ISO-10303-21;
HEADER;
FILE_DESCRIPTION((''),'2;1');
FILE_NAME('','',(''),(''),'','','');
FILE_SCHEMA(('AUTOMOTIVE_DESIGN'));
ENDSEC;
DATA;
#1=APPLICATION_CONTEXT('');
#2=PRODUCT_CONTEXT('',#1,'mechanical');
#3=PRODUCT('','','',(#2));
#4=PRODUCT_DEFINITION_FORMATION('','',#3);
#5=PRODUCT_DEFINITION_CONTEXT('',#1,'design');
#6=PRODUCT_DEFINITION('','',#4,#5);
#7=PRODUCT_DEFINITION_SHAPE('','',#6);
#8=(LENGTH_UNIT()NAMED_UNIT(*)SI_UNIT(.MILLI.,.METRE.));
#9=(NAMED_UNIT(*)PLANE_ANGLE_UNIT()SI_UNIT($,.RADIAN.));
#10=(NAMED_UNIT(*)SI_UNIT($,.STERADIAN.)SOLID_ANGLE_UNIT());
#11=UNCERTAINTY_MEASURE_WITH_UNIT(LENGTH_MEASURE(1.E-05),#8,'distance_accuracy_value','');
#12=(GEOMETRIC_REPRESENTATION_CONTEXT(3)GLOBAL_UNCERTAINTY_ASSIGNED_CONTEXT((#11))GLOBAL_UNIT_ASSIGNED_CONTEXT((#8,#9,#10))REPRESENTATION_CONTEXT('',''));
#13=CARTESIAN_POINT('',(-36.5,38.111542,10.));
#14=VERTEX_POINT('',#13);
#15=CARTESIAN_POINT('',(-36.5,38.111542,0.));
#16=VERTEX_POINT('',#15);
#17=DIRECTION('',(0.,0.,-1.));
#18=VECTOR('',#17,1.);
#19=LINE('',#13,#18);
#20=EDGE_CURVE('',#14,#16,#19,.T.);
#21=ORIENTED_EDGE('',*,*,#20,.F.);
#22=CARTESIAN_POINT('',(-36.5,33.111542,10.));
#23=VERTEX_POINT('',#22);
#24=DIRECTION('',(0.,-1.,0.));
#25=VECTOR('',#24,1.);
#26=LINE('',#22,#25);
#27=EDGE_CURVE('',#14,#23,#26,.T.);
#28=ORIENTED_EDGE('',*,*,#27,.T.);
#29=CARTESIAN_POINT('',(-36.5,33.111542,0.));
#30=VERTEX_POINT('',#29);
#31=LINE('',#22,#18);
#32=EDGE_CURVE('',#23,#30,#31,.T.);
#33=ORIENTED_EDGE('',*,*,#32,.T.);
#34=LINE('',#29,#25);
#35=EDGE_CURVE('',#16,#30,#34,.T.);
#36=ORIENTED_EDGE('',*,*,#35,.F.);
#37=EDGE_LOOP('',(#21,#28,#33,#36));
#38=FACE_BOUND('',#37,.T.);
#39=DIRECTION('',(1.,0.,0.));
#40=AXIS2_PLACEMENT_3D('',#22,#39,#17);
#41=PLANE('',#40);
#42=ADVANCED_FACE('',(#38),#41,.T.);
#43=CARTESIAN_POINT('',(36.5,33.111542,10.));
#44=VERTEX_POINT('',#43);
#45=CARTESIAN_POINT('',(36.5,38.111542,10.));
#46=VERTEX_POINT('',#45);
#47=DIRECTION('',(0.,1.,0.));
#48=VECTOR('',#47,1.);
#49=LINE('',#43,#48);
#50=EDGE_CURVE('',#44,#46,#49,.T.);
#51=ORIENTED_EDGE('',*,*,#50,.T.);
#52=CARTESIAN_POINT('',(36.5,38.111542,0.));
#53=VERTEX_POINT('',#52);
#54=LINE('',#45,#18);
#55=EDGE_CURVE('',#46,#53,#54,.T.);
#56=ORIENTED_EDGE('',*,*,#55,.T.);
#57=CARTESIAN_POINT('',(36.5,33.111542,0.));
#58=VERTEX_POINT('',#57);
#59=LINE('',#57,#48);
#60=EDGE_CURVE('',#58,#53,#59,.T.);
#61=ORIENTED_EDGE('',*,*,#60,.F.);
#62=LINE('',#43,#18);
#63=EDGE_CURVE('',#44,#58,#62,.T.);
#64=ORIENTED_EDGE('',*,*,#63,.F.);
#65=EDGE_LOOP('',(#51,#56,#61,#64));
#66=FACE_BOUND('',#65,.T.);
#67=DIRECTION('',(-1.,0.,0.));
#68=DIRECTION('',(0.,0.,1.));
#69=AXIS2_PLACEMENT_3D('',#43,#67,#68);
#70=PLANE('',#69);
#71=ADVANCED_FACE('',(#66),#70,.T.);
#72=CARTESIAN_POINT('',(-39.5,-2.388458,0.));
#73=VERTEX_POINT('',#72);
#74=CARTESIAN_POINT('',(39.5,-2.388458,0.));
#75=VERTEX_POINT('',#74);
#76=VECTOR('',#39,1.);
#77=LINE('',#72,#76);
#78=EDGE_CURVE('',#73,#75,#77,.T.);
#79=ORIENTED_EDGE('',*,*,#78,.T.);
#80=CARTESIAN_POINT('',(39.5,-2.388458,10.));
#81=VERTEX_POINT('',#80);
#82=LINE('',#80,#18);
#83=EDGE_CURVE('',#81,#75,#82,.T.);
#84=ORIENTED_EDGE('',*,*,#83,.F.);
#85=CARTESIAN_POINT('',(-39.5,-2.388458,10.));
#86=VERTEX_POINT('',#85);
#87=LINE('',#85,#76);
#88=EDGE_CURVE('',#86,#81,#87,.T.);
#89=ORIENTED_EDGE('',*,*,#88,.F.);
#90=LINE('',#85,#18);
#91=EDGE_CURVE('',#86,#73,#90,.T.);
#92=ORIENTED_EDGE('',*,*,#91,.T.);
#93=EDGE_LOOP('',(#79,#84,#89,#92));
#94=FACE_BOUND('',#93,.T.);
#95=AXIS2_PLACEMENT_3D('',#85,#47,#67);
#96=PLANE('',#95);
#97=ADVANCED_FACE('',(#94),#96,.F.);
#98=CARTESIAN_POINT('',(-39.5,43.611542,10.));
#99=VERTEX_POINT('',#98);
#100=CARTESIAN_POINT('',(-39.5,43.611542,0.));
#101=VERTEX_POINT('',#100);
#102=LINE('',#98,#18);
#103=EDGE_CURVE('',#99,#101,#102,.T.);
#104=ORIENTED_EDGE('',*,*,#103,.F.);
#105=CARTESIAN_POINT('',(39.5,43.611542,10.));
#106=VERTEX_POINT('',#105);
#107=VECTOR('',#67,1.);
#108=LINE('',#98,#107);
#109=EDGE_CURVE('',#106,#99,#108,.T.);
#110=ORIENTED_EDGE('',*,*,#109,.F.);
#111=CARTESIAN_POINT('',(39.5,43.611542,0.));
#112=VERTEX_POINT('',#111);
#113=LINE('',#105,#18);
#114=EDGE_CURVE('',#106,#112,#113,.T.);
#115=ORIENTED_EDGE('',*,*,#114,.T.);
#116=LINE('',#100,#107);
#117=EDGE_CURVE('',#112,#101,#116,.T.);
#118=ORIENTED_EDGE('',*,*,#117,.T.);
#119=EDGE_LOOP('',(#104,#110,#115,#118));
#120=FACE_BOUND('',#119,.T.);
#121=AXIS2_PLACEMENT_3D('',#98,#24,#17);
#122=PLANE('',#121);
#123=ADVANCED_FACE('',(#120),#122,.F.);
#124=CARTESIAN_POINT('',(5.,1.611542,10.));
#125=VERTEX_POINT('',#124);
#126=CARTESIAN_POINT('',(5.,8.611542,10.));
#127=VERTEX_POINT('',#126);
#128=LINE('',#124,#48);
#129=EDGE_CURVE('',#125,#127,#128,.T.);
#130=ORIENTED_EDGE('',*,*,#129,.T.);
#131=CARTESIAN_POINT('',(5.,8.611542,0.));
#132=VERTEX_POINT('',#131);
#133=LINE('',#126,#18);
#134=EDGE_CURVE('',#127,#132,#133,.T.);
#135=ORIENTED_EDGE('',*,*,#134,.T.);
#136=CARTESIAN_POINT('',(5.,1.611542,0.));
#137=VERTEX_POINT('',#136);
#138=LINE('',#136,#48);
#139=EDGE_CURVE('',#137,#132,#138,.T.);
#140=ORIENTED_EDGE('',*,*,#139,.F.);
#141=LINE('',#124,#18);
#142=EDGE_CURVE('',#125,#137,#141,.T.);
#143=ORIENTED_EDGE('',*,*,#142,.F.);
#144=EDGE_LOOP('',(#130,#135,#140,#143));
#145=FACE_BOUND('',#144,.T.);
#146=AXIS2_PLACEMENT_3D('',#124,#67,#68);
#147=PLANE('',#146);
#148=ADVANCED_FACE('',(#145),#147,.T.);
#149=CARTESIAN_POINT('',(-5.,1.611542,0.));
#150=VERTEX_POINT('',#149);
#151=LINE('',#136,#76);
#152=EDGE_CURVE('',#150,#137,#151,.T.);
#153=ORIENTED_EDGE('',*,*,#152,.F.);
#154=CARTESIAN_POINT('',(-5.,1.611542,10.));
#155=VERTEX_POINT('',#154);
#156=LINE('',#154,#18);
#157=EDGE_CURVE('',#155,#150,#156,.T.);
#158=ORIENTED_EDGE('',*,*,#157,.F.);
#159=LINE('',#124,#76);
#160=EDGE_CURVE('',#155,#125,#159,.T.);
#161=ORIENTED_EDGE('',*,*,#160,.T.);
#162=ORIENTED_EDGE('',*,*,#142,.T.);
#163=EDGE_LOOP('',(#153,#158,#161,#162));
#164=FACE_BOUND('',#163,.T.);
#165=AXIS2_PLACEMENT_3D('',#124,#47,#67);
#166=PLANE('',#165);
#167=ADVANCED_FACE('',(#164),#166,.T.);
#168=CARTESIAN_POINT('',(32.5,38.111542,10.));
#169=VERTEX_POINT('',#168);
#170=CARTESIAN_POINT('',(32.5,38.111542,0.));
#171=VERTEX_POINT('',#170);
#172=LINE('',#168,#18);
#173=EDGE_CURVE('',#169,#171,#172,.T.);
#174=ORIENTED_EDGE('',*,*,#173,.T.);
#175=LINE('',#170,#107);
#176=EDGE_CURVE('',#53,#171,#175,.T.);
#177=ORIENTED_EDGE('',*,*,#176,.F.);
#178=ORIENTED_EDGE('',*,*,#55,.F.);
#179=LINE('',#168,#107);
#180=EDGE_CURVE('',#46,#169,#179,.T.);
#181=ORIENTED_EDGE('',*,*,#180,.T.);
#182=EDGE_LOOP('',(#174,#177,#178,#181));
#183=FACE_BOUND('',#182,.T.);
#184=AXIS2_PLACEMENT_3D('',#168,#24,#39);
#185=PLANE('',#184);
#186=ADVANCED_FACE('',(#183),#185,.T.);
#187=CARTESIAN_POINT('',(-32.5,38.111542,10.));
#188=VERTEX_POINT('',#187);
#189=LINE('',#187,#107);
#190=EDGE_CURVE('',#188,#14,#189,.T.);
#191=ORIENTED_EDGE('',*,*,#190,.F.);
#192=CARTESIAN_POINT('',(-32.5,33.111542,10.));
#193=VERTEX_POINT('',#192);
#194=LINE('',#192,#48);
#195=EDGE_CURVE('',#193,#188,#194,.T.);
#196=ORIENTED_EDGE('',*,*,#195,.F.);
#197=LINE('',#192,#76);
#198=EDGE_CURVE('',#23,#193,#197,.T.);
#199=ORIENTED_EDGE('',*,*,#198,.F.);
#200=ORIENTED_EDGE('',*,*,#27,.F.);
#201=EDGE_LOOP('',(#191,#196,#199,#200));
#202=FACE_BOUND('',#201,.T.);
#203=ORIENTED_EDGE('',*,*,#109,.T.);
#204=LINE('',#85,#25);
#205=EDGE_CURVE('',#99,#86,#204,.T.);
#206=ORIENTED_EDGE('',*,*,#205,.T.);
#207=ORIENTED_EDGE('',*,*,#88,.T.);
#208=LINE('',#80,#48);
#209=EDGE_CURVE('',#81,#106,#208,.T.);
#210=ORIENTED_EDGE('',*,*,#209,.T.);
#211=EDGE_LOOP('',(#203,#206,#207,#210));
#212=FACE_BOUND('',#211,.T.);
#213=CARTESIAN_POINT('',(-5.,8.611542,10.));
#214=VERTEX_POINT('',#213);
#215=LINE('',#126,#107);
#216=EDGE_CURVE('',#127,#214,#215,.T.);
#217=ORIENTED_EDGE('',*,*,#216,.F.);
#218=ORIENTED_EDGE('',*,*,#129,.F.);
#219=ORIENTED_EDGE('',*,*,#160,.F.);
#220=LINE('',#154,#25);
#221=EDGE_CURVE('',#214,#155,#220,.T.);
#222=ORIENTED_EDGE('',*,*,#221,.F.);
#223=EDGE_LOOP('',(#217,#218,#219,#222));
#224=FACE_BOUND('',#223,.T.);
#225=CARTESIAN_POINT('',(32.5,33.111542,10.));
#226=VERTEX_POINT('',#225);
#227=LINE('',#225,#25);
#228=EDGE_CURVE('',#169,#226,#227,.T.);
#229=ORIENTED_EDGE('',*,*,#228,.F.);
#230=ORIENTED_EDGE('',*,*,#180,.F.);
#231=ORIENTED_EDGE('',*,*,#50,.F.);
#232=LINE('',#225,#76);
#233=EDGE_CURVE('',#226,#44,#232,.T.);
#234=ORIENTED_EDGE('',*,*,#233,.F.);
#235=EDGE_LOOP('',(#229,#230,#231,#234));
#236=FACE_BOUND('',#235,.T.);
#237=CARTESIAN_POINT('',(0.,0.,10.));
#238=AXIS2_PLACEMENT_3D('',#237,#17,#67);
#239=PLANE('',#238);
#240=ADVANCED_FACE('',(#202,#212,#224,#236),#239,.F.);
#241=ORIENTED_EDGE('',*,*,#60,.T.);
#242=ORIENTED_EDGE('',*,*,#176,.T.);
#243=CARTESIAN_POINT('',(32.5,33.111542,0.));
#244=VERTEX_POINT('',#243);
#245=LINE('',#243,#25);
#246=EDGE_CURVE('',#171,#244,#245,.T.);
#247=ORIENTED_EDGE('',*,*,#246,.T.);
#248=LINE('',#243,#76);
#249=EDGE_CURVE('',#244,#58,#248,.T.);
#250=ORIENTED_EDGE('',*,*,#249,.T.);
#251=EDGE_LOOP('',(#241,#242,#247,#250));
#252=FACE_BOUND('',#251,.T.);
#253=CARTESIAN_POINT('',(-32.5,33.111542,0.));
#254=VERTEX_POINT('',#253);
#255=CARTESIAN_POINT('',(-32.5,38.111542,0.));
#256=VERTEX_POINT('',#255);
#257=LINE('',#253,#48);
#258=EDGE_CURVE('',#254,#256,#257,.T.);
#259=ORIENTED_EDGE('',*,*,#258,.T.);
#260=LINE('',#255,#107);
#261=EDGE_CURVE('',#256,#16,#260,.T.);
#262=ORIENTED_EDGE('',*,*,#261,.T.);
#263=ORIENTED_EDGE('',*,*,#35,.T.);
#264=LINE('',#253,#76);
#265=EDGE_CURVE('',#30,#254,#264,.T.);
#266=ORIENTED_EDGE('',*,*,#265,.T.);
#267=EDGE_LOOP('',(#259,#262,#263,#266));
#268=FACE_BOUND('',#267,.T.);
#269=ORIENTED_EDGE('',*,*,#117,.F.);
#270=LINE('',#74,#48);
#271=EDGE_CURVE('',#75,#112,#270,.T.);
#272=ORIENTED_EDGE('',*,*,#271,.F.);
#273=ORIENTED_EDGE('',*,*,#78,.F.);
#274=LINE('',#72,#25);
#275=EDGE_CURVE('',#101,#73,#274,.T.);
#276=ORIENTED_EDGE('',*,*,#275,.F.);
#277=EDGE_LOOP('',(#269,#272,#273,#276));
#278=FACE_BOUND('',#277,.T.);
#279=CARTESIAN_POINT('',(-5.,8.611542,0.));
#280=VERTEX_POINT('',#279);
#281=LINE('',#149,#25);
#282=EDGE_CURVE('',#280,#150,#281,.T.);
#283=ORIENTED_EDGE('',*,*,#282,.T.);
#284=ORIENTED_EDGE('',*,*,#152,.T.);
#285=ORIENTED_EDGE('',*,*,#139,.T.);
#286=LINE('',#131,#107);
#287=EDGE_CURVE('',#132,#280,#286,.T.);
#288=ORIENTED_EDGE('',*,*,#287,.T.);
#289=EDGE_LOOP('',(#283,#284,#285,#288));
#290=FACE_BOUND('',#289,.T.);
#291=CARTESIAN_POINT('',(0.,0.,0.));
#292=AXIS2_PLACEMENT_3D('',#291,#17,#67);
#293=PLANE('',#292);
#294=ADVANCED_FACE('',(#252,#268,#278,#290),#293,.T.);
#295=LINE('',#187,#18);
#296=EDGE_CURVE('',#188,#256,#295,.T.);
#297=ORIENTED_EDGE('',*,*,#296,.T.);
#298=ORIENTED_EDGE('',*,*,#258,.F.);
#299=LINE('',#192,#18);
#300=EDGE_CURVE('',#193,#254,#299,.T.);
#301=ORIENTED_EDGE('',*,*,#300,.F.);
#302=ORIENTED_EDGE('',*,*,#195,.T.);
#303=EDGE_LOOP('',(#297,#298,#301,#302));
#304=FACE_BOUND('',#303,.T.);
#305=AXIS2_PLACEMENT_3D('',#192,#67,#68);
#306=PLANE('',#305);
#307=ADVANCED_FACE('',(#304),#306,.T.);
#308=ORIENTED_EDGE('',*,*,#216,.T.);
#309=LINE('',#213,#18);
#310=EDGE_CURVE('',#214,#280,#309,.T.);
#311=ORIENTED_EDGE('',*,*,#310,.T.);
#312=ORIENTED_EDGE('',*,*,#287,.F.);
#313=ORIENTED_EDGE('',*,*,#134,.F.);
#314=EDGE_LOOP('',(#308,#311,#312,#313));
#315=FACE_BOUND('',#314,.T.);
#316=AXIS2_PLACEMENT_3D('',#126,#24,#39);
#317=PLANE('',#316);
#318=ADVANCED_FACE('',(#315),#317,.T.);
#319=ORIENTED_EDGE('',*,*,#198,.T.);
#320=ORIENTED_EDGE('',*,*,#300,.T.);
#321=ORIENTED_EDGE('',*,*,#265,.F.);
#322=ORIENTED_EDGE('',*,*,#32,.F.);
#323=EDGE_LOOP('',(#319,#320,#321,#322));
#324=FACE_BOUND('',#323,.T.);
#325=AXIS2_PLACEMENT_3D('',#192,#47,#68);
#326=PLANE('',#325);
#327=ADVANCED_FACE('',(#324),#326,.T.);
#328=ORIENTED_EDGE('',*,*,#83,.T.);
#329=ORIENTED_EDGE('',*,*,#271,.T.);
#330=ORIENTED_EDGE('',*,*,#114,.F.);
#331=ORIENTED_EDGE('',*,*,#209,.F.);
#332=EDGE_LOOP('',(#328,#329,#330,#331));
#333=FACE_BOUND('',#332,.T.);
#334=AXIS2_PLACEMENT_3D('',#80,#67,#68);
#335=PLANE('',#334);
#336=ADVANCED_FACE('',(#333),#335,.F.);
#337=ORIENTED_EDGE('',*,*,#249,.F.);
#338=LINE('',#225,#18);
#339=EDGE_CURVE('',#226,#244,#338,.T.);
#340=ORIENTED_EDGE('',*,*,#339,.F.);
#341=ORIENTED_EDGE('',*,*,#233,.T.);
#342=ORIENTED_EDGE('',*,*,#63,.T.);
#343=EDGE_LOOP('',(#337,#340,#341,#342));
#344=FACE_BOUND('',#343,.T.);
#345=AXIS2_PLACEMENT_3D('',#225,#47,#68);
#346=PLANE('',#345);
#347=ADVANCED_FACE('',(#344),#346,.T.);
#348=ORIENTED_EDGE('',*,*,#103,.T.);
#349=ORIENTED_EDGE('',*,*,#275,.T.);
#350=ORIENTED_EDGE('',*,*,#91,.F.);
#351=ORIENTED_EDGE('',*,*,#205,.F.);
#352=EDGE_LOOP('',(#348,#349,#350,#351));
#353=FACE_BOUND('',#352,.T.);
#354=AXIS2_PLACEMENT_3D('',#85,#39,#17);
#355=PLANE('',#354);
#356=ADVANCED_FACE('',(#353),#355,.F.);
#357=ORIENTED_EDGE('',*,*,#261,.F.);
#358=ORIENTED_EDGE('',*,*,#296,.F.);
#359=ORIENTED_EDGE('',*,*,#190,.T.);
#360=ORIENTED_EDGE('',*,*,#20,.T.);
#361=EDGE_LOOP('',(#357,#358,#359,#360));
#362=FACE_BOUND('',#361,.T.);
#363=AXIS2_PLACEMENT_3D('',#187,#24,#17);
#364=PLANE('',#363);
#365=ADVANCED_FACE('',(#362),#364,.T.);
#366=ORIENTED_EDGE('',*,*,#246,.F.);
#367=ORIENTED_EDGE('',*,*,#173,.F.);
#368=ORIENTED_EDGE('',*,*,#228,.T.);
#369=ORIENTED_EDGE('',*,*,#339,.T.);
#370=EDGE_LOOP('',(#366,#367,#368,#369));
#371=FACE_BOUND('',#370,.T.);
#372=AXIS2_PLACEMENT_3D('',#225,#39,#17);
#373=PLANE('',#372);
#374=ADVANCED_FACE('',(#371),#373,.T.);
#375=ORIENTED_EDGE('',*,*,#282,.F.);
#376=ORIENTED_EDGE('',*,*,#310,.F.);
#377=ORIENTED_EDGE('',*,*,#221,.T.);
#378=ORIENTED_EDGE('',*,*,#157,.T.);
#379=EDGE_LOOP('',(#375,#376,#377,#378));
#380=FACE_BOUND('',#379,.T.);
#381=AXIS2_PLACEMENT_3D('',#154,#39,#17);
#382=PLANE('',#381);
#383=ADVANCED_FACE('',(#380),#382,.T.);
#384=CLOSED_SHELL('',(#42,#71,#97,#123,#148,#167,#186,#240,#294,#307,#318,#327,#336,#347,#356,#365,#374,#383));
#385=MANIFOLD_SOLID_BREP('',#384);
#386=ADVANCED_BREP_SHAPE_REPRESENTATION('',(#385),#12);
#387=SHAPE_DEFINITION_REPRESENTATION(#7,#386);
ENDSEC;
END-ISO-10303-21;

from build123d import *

# Parameters (mm, degrees)
SKETCH1_W           = 79
SKETCH1_H           = 46
SKETCH1_W_2         = 4
SKETCH1_H_2         = 5
SKETCH1_W_3         = 10
SKETCH1_H_3         = 7
BOSS_EXTRUDE1_DEPTH = 10


with BuildPart() as part:
    # Sketch1 → Boss-Extrude1 (new body)
    with BuildSketch(Plane.XY):
        with Locations((0, 20.611542264)):
            Rectangle(SKETCH1_W, SKETCH1_H)
        with Locations((-34.5, 35.611542264)):
            Rectangle(SKETCH1_W_2, SKETCH1_H_2, mode=Mode.SUBTRACT)
        with Locations((0, 5.111542264)):
            Rectangle(SKETCH1_W_3, SKETCH1_H_3, mode=Mode.SUBTRACT)
        with Locations((34.5, 35.611542264)):
            Rectangle(SKETCH1_W_2, SKETCH1_H_2, mode=Mode.SUBTRACT)
    extrude(amount=BOSS_EXTRUDE1_DEPTH)


solid = part.part
